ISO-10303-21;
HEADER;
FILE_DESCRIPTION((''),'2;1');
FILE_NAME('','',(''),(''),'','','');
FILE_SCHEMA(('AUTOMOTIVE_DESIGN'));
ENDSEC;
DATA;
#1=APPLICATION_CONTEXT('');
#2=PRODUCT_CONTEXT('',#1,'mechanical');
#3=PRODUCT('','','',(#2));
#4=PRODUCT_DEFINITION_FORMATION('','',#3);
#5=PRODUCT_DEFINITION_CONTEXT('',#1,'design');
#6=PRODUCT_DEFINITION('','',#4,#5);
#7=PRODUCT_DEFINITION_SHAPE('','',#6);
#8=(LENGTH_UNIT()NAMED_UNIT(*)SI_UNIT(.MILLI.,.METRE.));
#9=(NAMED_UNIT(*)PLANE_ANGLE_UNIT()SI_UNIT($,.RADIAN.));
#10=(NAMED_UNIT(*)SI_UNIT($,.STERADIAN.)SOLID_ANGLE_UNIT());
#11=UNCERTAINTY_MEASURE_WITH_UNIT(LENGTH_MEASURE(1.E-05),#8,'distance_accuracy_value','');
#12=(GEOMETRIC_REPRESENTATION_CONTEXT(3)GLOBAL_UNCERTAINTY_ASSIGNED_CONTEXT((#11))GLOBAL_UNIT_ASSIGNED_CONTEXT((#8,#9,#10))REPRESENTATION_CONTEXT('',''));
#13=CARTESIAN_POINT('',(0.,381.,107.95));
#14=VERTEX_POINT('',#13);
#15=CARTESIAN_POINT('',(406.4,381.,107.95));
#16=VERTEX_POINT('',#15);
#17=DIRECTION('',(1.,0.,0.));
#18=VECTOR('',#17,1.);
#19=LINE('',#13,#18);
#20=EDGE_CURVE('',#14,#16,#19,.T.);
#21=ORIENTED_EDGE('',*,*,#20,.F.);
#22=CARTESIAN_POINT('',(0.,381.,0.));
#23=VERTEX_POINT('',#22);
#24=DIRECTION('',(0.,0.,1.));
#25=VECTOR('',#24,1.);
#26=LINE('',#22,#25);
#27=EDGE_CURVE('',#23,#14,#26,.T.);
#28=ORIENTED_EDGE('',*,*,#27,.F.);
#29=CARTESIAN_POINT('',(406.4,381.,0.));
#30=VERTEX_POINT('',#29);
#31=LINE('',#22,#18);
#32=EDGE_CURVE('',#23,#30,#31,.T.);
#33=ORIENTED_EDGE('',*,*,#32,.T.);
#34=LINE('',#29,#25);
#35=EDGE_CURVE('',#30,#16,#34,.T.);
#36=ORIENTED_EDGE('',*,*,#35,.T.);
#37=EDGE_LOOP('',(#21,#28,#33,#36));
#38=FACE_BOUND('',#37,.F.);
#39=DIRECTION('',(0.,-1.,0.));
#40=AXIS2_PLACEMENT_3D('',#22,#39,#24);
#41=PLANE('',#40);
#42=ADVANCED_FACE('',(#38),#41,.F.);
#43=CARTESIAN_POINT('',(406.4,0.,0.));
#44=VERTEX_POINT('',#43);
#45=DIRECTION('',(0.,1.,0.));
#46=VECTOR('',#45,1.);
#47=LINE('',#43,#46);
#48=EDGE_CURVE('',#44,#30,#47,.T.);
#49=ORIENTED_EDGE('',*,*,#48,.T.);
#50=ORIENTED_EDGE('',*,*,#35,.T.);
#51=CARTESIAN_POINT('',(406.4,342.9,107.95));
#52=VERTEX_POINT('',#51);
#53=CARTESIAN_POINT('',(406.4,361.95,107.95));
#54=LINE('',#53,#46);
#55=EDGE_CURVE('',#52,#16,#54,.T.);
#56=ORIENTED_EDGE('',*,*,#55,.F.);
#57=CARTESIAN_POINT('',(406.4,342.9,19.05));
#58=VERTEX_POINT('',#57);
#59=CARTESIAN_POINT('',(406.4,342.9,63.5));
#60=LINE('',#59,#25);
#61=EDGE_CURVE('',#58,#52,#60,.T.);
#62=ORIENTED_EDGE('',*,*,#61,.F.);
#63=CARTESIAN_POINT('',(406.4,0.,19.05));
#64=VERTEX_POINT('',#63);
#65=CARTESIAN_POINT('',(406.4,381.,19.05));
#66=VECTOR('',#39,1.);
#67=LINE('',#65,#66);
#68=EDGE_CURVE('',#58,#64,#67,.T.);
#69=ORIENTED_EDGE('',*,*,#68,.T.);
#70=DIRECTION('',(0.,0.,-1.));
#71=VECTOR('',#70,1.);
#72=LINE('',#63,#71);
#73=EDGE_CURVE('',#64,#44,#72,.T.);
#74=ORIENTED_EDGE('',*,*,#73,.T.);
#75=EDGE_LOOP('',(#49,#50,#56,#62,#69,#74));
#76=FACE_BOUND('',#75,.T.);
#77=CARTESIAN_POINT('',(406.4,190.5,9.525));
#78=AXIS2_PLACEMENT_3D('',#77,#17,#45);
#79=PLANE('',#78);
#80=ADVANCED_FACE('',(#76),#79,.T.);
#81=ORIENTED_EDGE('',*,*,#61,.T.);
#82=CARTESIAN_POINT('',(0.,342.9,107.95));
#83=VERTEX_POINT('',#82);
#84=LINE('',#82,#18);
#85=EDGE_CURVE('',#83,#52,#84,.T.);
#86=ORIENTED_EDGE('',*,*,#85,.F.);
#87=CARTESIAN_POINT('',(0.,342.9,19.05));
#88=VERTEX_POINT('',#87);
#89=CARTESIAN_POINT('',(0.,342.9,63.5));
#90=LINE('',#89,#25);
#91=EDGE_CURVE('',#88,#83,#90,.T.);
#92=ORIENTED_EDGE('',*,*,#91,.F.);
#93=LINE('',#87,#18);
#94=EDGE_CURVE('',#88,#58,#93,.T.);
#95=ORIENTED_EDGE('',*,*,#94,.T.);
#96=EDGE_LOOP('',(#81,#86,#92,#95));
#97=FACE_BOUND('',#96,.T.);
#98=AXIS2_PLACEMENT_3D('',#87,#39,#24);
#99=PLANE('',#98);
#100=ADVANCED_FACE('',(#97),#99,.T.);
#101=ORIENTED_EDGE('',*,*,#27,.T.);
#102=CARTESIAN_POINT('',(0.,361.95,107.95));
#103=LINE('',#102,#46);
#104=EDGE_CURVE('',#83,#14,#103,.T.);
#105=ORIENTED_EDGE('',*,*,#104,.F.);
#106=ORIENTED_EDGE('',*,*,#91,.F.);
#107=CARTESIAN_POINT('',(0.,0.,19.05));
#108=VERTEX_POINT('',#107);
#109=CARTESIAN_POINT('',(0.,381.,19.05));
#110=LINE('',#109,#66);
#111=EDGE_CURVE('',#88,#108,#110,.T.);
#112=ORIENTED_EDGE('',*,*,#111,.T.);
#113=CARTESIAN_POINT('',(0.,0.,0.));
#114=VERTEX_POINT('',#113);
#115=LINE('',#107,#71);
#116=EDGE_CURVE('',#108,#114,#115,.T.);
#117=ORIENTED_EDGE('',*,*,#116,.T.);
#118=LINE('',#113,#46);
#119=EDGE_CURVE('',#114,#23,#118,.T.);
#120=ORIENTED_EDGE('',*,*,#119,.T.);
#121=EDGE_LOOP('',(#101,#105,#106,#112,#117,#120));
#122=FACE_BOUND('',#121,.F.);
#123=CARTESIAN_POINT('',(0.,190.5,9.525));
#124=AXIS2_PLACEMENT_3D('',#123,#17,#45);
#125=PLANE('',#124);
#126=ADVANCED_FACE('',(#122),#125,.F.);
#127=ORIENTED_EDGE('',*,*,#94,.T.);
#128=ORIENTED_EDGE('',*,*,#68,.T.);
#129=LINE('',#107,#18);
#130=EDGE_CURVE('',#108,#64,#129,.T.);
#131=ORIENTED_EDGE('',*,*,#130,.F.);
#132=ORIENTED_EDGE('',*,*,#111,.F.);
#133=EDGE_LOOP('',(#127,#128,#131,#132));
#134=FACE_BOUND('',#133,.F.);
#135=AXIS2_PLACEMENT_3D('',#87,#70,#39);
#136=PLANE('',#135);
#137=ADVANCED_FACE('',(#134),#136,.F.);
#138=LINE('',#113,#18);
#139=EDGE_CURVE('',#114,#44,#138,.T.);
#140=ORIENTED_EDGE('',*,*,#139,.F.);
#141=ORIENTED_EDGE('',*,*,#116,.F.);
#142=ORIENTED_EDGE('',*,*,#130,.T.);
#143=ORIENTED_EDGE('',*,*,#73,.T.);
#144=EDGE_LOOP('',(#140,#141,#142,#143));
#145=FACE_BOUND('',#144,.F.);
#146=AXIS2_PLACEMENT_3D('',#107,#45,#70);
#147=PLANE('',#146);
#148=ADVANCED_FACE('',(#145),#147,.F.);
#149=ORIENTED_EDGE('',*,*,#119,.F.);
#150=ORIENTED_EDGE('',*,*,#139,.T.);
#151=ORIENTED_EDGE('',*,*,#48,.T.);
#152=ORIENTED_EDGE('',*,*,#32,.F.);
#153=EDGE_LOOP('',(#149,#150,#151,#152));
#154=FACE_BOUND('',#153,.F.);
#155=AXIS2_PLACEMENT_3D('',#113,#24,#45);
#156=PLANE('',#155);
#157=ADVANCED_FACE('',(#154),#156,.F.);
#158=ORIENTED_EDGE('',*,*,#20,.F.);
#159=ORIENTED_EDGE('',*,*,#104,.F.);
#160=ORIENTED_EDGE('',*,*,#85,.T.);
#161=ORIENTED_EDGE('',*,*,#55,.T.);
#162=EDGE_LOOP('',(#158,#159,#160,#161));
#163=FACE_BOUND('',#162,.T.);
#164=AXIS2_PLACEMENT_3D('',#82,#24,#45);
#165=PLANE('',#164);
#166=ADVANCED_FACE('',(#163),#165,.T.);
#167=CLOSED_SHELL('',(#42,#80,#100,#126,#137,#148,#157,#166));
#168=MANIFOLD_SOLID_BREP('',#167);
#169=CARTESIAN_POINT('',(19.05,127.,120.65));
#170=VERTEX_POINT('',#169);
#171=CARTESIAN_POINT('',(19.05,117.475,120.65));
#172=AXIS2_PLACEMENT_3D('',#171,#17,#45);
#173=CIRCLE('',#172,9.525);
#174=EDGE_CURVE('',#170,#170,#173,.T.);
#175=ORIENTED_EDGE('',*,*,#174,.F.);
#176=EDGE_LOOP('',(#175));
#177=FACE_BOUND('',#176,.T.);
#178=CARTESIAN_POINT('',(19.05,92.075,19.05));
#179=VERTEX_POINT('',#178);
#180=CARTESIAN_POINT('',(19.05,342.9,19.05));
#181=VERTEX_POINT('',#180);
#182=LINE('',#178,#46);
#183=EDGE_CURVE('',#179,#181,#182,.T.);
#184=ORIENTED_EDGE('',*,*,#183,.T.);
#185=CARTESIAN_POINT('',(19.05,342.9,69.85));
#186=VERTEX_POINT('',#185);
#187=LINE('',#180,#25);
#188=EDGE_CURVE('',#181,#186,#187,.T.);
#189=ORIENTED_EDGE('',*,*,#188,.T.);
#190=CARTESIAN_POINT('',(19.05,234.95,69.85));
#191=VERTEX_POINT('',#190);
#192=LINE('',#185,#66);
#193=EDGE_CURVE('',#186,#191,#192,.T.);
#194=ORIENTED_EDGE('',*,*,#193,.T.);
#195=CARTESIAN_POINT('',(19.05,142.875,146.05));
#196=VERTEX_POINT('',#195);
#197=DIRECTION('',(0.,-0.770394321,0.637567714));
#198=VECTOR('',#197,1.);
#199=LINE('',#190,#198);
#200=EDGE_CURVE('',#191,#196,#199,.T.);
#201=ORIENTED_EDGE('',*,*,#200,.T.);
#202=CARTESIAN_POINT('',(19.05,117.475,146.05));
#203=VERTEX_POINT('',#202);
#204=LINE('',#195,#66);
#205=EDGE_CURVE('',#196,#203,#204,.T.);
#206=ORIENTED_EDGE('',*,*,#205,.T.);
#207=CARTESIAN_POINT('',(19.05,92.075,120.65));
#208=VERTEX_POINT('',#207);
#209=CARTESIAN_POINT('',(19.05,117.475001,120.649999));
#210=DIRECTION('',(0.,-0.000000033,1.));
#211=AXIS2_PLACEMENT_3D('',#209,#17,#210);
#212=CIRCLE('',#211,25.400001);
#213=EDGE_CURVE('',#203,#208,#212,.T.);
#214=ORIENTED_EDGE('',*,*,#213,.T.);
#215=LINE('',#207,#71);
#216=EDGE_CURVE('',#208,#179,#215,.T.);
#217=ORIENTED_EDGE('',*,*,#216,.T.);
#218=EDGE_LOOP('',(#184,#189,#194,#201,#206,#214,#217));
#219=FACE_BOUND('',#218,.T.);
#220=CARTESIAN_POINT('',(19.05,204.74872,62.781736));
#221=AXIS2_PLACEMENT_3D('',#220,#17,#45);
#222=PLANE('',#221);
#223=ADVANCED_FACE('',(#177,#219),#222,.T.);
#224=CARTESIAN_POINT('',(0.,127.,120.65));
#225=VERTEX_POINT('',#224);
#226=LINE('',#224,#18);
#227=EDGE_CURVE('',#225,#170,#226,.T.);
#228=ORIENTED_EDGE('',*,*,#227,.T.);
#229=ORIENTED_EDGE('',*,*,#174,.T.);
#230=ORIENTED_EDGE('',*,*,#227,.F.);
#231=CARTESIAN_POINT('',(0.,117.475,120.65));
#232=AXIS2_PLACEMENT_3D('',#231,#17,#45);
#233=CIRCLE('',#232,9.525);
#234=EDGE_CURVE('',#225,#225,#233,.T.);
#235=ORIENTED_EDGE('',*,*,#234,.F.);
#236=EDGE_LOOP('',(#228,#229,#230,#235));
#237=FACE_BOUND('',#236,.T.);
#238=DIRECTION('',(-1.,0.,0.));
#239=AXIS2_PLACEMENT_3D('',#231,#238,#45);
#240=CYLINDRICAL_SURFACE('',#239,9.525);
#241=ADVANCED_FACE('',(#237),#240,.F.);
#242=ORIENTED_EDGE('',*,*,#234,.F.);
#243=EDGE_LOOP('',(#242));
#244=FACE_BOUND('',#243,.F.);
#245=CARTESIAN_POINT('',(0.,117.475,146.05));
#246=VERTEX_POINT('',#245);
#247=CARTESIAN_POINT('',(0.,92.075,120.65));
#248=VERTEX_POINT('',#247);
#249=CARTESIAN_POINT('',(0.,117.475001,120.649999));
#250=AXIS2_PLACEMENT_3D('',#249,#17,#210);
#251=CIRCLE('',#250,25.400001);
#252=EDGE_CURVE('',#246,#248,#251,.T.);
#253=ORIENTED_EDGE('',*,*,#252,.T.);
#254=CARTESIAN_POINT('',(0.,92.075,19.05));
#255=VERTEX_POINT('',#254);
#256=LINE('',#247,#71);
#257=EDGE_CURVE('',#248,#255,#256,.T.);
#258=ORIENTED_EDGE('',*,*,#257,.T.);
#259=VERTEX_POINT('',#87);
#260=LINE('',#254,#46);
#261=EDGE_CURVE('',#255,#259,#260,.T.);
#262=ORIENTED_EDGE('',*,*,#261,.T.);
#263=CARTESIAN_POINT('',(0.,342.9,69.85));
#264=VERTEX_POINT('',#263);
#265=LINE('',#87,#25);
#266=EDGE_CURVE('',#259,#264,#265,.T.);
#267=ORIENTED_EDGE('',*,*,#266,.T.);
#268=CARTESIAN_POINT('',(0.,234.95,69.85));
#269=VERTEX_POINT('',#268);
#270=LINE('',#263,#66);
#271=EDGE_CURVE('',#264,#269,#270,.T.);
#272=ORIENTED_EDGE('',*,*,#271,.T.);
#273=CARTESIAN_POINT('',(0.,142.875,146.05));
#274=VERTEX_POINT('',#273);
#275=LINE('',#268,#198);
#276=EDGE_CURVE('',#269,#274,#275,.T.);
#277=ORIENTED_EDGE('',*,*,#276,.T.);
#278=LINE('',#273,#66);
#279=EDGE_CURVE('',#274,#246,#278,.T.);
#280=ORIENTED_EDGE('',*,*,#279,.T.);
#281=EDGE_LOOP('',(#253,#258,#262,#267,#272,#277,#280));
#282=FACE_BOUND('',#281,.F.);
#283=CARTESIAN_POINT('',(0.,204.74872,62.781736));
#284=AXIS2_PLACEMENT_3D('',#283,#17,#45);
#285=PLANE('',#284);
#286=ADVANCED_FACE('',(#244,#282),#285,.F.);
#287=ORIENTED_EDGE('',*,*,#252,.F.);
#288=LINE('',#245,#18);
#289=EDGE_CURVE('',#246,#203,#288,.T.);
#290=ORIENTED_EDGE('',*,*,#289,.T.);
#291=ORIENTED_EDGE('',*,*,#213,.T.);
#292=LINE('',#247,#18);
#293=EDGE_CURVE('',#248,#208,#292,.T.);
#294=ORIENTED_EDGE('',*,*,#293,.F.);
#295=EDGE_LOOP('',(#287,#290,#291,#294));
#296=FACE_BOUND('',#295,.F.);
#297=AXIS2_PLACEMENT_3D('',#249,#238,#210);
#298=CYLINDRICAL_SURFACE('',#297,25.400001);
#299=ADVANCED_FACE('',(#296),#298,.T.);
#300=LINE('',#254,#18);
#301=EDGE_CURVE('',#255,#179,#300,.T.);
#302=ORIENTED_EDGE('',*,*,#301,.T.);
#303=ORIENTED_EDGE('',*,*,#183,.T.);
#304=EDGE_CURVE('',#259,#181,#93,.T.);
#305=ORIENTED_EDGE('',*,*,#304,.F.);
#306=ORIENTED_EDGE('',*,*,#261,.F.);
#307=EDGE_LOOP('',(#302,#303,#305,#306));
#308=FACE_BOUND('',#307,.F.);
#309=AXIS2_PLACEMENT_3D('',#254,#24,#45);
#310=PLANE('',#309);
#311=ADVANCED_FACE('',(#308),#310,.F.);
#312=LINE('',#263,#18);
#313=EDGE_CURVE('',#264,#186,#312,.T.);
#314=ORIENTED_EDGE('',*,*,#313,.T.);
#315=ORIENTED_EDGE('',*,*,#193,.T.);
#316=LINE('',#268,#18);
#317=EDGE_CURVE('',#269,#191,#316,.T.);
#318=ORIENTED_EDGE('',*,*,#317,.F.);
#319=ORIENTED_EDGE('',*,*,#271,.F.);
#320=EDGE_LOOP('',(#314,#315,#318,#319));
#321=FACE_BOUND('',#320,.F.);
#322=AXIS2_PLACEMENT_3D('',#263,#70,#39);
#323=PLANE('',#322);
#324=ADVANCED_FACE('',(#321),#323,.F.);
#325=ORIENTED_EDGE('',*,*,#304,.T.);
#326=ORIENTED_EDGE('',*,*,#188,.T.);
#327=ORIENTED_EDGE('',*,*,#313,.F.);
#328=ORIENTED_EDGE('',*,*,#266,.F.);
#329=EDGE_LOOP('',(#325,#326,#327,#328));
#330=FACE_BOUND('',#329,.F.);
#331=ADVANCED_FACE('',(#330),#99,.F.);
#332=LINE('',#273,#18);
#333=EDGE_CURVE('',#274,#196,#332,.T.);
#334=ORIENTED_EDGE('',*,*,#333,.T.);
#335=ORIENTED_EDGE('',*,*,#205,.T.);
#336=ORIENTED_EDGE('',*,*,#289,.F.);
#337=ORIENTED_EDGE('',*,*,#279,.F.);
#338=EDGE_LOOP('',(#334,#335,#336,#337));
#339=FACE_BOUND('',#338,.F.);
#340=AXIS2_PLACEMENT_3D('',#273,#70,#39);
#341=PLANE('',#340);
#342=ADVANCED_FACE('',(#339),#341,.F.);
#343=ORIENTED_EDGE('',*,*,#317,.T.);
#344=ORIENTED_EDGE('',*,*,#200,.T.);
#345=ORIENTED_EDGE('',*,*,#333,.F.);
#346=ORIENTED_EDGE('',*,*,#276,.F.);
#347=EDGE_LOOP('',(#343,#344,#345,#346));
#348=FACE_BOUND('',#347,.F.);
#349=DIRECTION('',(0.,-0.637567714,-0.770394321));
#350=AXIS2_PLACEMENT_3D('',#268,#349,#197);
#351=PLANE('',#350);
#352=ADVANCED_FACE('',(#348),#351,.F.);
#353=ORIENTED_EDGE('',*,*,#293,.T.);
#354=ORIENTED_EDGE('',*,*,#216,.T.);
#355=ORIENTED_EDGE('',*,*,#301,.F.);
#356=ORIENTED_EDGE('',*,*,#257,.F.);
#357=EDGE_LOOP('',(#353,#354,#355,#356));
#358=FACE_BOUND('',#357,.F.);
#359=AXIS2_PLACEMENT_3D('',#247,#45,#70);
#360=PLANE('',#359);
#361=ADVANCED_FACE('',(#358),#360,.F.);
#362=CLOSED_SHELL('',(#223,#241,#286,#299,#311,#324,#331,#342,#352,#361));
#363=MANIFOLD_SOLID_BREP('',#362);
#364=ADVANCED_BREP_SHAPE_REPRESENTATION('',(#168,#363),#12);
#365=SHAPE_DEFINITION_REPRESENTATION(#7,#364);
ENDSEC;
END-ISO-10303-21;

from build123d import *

# Parameters (mm, degrees)
F1_W     = 38.1
F1_H     = 88.9
F2_DEPTH = 406.4
F3_R     = 9.525
F4_DEPTH = 19.05


with BuildPart() as f2:
    # F1 (on Right) → F2 (new body)
    with BuildSketch(Plane.YZ):
        Polygon((342.9, 19.05), (0, 19.05), (0, 0), (381, 0), (381, 19.05), align=None)
        with Locations((361.95, 63.5)):
            Rectangle(F1_W, F1_H)
    extrude(amount=F2_DEPTH)


with BuildPart() as f4:
    # F3 (on Right) → F4 (new body)
    with BuildSketch(Plane.YZ):
        with BuildLine():
            ThreePointArc((117.475, 146.05), (99.514488, 138.610512), (92.075, 120.65))
            Line((92.075, 120.65), (92.075, 19.05))
            Line((92.075, 19.05), (342.9, 19.05))
            Line((342.9, 19.05), (342.9, 69.85))
            Line((342.9, 69.85), (234.95, 69.85))
            Line((234.95, 69.85), (142.875, 146.05))
            Line((142.875, 146.05), (117.475, 146.05))
        make_face()
        with Locations((117.475, 120.65)):
            Circle(F3_R, mode=Mode.SUBTRACT)
    extrude(amount=F4_DEPTH)


solid = Compound([f2.part, f4.part])
